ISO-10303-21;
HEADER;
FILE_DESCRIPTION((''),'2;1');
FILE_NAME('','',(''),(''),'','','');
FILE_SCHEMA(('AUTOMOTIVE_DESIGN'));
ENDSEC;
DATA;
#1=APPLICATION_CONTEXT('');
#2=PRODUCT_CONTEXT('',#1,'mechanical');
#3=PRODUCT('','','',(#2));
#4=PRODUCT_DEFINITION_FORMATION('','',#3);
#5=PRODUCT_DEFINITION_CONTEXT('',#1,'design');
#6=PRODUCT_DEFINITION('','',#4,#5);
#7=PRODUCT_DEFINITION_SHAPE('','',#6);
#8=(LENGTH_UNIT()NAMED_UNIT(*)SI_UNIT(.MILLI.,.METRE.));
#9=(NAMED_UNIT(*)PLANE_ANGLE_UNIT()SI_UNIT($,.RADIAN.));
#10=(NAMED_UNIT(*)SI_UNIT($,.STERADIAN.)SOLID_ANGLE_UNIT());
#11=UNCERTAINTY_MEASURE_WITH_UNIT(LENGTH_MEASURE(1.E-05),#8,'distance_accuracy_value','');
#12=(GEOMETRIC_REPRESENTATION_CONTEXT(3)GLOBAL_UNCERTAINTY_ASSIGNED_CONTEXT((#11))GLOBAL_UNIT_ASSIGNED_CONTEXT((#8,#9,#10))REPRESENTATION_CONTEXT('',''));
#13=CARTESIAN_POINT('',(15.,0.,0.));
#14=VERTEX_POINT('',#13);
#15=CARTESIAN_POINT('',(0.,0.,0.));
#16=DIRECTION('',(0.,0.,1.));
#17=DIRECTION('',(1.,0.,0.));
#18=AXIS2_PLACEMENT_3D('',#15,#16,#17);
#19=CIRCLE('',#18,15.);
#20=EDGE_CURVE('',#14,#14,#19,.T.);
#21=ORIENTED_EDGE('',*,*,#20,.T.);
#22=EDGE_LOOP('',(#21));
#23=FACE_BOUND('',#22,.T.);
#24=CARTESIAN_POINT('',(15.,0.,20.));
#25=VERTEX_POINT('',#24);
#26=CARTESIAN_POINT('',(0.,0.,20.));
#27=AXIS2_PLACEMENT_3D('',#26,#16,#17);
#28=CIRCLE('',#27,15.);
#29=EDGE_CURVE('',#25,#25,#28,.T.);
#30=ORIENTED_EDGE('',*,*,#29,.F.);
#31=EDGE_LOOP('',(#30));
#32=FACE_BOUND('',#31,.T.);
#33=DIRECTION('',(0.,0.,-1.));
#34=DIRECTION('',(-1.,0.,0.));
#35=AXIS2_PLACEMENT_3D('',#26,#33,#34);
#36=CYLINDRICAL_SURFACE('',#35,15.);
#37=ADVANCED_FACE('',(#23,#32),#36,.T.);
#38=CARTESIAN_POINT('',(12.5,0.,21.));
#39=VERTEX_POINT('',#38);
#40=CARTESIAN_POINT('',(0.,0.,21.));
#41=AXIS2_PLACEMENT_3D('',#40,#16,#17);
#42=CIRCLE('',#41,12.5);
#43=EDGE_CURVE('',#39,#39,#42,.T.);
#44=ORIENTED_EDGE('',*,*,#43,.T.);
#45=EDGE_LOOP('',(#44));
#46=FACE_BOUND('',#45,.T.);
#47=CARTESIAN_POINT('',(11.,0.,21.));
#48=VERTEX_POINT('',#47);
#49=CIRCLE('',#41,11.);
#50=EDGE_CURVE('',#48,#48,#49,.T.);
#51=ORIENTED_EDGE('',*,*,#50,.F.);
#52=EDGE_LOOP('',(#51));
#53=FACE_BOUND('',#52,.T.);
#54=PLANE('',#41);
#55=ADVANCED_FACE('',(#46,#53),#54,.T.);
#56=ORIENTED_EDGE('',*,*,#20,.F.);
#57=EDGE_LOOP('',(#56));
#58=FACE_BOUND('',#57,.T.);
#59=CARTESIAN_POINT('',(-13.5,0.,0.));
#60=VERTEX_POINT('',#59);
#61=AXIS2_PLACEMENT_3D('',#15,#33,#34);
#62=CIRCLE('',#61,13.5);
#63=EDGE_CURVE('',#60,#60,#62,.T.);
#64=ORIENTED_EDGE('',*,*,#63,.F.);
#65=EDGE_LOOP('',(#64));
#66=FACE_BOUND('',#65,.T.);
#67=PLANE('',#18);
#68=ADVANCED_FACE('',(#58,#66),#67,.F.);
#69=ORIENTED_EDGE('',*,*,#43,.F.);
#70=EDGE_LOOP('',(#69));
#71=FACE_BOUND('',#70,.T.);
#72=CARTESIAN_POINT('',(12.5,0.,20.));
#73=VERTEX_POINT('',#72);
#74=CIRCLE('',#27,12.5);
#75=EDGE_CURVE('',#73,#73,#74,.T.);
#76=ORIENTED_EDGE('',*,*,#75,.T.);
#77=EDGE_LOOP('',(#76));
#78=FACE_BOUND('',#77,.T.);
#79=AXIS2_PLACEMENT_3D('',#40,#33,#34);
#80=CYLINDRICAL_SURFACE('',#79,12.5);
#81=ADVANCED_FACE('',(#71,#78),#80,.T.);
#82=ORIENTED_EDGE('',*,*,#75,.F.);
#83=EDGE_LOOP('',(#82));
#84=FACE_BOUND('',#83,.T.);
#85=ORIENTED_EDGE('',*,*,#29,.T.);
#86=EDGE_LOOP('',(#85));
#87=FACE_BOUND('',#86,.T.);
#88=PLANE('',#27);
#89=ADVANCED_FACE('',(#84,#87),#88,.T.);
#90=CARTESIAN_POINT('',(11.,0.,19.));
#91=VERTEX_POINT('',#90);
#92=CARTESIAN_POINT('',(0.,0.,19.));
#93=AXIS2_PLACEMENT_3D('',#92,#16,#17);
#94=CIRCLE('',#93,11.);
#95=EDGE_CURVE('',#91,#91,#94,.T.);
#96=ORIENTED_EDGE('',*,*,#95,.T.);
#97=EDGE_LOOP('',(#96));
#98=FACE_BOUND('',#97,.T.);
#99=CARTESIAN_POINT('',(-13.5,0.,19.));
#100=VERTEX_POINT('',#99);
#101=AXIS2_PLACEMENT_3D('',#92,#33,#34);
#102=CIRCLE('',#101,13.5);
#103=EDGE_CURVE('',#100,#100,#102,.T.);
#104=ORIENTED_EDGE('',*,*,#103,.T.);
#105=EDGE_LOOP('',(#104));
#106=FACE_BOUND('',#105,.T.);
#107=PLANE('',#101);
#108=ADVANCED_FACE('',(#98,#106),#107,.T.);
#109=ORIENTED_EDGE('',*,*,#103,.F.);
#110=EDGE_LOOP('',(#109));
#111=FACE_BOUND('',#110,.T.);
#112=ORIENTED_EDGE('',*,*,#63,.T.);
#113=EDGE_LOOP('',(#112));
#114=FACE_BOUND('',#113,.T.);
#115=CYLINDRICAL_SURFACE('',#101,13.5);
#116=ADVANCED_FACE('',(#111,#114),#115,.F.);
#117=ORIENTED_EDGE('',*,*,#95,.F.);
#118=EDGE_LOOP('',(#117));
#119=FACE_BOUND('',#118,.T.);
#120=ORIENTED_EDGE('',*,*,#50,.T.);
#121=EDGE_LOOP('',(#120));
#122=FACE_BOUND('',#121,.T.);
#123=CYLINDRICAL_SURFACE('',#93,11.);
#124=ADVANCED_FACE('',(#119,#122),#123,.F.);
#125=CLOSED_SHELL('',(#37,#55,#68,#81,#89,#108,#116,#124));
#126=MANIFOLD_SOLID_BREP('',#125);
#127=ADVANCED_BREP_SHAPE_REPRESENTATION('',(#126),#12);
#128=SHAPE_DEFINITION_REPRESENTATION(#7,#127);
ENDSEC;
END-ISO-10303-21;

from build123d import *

# Parameters (mm, degrees)
ESQUISSE1_R             = 15
BOSS_EXTRU_1_DEPTH      = 20
ESQUISSE3_R             = 13.5
ENL_V_MAT_EXTRU_2_DEPTH = 19
ESQUISSE4_R             = 12.5
BOSS_EXTRU_2_DEPTH      = 1
ESQUISSE5_R             = 11
ENL_V_MAT_EXTRU_3_DEPTH = 2


with BuildPart() as part:
    # Esquisse1 → Boss.-Extru.1 (new body)
    with BuildSketch(Plane.XY):
        Circle(ESQUISSE1_R)
    extrude(amount=BOSS_EXTRU_1_DEPTH)

    # Esquisse3 → Enlèv. mat.-Extru.2 (cut)
    with BuildSketch(Plane(origin=(0, 0, 0), x_dir=(-1, 0, 0), z_dir=(0, 0, -1))):
        Circle(ESQUISSE3_R)
    extrude(amount=-ENL_V_MAT_EXTRU_2_DEPTH, mode=Mode.SUBTRACT)

    # Esquisse4 → Boss.-Extru.2 (add)
    with BuildSketch(Plane.XY.offset(20)):
        Circle(ESQUISSE4_R)
    extrude(amount=BOSS_EXTRU_2_DEPTH)

    # Esquisse5 → Enlèv. mat.-Extru.3 (cut)
    with BuildSketch(Plane.XY.offset(21)):
        Circle(ESQUISSE5_R)
    extrude(amount=-ENL_V_MAT_EXTRU_3_DEPTH, mode=Mode.SUBTRACT)


solid = part.part
